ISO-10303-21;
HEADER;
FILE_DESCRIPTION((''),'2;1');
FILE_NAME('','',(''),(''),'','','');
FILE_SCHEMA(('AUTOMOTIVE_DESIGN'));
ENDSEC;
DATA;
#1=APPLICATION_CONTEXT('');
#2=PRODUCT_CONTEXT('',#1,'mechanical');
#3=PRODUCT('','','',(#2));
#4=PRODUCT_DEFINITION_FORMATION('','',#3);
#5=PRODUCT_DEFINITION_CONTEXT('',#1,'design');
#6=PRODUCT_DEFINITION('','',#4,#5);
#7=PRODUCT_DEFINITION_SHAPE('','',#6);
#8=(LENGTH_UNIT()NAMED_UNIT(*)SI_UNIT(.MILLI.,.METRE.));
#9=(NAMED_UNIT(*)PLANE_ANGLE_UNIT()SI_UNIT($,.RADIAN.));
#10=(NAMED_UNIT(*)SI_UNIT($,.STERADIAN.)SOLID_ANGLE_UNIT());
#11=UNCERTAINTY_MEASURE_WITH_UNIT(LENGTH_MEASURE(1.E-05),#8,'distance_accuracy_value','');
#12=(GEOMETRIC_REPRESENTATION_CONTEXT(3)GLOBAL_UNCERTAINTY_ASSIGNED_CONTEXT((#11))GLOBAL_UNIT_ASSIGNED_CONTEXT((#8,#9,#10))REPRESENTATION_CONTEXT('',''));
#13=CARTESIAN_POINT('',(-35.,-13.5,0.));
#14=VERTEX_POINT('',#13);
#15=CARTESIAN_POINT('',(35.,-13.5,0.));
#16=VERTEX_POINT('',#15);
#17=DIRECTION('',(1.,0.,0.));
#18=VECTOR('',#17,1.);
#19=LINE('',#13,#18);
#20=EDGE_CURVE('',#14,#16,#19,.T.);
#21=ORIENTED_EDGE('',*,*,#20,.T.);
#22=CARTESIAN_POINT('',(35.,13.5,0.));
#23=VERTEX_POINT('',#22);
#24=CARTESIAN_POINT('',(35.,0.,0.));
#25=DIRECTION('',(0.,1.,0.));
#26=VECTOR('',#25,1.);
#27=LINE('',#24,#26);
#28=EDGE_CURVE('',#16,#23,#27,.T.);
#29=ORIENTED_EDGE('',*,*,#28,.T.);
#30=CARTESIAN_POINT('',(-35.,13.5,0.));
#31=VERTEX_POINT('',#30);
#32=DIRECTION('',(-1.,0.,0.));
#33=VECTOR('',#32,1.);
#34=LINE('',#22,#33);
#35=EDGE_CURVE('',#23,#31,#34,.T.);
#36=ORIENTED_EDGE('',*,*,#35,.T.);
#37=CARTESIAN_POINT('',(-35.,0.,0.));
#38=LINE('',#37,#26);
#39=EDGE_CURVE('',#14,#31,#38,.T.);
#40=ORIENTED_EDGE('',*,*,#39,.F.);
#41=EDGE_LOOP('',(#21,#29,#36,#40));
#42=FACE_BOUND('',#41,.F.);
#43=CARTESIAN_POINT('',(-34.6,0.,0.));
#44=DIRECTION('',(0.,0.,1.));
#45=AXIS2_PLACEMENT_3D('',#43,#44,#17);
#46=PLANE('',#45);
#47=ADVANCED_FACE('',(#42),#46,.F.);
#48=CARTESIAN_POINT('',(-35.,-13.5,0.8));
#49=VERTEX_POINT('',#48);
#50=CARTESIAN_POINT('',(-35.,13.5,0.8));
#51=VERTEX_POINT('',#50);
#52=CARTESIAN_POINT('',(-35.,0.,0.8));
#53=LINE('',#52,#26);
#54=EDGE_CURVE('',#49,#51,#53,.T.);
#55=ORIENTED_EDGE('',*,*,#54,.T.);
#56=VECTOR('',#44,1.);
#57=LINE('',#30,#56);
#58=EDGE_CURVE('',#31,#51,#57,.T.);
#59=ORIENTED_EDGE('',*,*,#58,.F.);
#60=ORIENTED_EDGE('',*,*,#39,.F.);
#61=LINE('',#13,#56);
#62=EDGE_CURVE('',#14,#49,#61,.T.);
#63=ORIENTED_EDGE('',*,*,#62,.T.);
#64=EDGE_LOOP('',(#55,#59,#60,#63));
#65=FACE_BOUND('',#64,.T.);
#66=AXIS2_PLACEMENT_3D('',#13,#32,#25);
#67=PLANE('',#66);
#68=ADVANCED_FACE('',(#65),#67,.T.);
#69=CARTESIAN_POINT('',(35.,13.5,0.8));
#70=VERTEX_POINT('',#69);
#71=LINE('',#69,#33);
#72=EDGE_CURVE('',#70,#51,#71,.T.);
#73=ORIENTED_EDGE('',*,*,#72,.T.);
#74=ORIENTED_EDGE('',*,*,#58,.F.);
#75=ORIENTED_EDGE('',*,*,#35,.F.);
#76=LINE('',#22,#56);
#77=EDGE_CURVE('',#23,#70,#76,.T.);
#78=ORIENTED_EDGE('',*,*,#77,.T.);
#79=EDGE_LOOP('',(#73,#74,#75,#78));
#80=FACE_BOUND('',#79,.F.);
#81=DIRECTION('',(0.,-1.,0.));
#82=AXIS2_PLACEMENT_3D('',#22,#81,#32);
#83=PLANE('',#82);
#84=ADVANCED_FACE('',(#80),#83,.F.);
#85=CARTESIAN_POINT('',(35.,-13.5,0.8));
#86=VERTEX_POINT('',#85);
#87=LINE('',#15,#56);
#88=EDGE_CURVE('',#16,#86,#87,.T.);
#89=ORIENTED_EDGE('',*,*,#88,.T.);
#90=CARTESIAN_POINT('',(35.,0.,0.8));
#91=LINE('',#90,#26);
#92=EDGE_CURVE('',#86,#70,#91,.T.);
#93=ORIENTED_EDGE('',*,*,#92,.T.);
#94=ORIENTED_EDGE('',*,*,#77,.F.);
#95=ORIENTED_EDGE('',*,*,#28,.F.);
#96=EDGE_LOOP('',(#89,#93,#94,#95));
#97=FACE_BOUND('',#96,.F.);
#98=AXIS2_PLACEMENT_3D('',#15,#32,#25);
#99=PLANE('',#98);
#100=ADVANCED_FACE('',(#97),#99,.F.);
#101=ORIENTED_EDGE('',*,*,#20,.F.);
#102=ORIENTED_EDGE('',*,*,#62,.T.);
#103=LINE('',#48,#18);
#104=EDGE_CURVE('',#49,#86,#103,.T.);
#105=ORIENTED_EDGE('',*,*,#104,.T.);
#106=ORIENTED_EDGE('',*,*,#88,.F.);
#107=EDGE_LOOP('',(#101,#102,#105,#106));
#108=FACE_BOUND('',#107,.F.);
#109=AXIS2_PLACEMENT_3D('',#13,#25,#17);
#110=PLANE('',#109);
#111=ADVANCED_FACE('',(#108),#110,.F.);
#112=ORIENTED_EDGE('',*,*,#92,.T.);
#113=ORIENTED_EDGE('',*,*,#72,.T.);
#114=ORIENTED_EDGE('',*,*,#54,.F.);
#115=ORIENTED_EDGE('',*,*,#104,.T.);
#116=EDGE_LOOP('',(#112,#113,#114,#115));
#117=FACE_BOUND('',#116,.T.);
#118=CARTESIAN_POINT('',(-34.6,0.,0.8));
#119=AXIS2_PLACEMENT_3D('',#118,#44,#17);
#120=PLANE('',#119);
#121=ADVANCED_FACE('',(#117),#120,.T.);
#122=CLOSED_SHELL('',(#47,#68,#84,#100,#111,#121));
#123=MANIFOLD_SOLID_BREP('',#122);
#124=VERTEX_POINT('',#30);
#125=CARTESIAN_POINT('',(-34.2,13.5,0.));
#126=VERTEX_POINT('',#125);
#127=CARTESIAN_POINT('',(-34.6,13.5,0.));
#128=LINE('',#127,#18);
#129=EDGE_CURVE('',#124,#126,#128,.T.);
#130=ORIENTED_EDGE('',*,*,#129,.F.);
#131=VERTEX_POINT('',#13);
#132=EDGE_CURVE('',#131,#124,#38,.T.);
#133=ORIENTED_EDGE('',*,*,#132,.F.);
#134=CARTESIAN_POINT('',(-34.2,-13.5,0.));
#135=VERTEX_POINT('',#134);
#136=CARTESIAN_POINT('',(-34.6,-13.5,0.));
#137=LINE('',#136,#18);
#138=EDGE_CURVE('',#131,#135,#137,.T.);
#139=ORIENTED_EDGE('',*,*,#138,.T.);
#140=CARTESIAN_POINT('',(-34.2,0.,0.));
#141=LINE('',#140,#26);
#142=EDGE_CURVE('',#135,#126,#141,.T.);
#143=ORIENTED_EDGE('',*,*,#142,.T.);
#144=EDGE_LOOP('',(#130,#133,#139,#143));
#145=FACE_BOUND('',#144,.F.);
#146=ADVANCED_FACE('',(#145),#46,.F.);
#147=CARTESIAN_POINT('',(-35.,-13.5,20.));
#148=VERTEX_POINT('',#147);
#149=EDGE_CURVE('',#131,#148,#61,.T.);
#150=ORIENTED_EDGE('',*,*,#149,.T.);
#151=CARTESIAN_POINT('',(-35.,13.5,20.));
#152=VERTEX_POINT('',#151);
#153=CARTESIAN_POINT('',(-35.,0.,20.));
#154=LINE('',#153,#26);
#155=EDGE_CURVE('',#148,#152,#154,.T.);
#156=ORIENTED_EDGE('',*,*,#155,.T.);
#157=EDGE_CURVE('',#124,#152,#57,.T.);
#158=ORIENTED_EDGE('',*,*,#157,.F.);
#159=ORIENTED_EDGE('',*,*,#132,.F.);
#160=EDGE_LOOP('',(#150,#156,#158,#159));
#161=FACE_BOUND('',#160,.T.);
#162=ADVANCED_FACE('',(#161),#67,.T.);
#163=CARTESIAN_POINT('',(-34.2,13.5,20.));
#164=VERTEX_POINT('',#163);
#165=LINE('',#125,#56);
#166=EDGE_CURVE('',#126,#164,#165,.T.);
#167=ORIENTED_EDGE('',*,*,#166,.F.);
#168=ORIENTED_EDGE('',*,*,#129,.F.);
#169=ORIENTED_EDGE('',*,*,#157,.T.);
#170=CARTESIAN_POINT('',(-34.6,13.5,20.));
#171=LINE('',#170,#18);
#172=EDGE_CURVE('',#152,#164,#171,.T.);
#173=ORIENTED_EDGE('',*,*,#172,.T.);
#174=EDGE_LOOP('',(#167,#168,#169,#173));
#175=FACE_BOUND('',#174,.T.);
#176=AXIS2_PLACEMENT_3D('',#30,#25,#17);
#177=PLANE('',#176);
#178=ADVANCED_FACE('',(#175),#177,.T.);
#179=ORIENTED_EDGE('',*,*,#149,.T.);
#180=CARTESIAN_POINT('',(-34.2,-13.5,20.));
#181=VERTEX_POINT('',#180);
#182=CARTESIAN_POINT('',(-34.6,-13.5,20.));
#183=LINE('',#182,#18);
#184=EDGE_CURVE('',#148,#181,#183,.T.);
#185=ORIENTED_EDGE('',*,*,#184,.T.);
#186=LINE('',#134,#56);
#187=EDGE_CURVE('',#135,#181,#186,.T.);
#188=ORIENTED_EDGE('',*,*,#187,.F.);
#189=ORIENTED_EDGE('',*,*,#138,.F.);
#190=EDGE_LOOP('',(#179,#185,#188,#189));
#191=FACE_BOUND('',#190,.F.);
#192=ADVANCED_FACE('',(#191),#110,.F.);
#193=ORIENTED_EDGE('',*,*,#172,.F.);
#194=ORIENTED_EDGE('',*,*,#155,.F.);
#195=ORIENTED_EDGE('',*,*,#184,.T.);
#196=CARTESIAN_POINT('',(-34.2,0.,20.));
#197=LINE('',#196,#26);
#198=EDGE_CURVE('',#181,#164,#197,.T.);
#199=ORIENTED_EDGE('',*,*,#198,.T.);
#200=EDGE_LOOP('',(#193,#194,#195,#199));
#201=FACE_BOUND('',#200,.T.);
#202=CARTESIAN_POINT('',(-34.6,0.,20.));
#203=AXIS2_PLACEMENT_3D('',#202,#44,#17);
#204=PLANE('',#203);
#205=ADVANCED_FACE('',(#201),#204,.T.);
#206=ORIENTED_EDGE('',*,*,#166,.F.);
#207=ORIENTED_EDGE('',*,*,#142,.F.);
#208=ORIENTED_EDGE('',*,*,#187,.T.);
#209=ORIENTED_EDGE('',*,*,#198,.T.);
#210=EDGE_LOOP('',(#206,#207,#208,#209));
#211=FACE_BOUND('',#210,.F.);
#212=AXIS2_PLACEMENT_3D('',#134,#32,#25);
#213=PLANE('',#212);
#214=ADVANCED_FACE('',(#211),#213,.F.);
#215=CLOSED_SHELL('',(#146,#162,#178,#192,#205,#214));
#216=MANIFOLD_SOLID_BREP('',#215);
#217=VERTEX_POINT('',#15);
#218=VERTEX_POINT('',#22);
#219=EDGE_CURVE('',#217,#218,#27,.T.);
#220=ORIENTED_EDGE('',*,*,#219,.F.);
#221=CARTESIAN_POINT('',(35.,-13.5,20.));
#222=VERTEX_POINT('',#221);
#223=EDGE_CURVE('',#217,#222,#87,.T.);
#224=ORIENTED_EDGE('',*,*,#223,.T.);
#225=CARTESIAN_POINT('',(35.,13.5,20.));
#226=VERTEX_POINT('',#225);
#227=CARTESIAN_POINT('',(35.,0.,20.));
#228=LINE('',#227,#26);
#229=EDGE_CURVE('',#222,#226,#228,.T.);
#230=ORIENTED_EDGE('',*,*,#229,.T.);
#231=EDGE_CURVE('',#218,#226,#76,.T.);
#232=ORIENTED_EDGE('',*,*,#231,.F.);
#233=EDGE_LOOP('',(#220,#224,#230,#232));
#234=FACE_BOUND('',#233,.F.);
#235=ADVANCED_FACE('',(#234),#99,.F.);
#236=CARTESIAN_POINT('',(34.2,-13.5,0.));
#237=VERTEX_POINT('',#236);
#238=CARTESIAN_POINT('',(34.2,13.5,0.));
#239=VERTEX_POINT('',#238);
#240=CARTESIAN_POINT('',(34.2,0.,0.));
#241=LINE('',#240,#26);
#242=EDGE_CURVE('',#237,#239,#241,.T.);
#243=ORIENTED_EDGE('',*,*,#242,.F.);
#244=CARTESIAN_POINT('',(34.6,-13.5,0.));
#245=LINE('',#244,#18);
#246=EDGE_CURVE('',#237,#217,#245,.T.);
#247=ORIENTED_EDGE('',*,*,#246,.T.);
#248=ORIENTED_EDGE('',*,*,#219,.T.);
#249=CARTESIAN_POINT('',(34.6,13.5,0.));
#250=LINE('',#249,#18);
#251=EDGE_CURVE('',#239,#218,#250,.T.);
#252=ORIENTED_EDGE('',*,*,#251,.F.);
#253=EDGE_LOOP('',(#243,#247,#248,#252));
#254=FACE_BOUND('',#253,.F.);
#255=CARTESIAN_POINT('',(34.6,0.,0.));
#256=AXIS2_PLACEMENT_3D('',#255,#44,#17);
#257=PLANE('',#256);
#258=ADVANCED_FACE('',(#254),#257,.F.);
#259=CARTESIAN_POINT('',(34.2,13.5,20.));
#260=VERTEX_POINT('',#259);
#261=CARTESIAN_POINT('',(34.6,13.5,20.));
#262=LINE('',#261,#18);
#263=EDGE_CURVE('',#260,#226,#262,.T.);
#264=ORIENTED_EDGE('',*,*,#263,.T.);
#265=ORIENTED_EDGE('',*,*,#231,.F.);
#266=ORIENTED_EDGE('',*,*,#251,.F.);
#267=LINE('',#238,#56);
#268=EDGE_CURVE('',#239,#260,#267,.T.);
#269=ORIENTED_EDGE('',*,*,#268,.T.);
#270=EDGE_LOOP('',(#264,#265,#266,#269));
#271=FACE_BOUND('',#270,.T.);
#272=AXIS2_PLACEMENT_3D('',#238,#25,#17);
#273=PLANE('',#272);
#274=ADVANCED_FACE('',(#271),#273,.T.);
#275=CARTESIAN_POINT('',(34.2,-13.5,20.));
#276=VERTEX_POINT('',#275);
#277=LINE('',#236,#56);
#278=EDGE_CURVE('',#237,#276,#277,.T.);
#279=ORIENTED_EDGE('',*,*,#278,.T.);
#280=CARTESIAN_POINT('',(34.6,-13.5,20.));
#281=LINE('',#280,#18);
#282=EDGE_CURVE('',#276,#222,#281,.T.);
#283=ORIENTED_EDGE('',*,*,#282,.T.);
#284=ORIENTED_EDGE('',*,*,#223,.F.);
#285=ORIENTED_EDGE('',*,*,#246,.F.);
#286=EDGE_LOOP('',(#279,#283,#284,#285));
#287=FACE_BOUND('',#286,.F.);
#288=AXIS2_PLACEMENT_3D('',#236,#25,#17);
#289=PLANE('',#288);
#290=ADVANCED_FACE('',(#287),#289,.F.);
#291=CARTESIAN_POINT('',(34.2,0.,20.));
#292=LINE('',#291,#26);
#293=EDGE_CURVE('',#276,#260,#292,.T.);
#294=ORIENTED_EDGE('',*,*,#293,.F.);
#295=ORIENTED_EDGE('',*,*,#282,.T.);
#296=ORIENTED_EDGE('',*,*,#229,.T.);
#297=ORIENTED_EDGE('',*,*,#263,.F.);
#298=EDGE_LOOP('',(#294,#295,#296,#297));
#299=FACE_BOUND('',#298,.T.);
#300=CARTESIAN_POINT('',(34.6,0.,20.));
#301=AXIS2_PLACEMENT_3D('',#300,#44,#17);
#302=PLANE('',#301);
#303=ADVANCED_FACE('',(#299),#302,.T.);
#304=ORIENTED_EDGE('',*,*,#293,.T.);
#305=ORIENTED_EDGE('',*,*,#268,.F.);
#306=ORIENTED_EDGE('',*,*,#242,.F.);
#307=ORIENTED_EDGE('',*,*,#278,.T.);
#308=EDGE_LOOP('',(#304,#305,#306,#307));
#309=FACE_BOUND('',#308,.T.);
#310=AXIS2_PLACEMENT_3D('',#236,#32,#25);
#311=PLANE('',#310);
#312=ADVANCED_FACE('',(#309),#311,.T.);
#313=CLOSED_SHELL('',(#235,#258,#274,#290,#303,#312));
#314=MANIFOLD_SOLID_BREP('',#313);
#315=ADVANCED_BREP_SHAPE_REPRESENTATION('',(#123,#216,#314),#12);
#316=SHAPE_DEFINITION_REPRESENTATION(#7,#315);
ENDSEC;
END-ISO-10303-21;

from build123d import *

# Parameters (mm, degrees)
F0_W     = 0.8
F0_H     = 27
F1_DEPTH = 20
F0_W_2   = 68.4
F2_DEPTH = 0.8


with BuildPart() as f1:
    # F0 (on Top) → F1 (new body)
    with BuildSketch(Plane.XY):
        with Locations((-34.6, 0)):
            Rectangle(F0_W, F0_H)
        with Locations((34.6, 0)):
            Rectangle(F0_W, F0_H)
    extrude(amount=F1_DEPTH)


with BuildPart() as f2:
    # F0 (on Top) → F2 (new body)
    with BuildSketch(Plane.XY):
        with Locations((-34.6, 0)):
            Rectangle(F0_W, F0_H)
        with Locations((34.6, 0)):
            Rectangle(F0_W, F0_H)
        Rectangle(F0_W_2, F0_H)
    extrude(amount=F2_DEPTH)


solid = Compound([f1.part, f2.part])
